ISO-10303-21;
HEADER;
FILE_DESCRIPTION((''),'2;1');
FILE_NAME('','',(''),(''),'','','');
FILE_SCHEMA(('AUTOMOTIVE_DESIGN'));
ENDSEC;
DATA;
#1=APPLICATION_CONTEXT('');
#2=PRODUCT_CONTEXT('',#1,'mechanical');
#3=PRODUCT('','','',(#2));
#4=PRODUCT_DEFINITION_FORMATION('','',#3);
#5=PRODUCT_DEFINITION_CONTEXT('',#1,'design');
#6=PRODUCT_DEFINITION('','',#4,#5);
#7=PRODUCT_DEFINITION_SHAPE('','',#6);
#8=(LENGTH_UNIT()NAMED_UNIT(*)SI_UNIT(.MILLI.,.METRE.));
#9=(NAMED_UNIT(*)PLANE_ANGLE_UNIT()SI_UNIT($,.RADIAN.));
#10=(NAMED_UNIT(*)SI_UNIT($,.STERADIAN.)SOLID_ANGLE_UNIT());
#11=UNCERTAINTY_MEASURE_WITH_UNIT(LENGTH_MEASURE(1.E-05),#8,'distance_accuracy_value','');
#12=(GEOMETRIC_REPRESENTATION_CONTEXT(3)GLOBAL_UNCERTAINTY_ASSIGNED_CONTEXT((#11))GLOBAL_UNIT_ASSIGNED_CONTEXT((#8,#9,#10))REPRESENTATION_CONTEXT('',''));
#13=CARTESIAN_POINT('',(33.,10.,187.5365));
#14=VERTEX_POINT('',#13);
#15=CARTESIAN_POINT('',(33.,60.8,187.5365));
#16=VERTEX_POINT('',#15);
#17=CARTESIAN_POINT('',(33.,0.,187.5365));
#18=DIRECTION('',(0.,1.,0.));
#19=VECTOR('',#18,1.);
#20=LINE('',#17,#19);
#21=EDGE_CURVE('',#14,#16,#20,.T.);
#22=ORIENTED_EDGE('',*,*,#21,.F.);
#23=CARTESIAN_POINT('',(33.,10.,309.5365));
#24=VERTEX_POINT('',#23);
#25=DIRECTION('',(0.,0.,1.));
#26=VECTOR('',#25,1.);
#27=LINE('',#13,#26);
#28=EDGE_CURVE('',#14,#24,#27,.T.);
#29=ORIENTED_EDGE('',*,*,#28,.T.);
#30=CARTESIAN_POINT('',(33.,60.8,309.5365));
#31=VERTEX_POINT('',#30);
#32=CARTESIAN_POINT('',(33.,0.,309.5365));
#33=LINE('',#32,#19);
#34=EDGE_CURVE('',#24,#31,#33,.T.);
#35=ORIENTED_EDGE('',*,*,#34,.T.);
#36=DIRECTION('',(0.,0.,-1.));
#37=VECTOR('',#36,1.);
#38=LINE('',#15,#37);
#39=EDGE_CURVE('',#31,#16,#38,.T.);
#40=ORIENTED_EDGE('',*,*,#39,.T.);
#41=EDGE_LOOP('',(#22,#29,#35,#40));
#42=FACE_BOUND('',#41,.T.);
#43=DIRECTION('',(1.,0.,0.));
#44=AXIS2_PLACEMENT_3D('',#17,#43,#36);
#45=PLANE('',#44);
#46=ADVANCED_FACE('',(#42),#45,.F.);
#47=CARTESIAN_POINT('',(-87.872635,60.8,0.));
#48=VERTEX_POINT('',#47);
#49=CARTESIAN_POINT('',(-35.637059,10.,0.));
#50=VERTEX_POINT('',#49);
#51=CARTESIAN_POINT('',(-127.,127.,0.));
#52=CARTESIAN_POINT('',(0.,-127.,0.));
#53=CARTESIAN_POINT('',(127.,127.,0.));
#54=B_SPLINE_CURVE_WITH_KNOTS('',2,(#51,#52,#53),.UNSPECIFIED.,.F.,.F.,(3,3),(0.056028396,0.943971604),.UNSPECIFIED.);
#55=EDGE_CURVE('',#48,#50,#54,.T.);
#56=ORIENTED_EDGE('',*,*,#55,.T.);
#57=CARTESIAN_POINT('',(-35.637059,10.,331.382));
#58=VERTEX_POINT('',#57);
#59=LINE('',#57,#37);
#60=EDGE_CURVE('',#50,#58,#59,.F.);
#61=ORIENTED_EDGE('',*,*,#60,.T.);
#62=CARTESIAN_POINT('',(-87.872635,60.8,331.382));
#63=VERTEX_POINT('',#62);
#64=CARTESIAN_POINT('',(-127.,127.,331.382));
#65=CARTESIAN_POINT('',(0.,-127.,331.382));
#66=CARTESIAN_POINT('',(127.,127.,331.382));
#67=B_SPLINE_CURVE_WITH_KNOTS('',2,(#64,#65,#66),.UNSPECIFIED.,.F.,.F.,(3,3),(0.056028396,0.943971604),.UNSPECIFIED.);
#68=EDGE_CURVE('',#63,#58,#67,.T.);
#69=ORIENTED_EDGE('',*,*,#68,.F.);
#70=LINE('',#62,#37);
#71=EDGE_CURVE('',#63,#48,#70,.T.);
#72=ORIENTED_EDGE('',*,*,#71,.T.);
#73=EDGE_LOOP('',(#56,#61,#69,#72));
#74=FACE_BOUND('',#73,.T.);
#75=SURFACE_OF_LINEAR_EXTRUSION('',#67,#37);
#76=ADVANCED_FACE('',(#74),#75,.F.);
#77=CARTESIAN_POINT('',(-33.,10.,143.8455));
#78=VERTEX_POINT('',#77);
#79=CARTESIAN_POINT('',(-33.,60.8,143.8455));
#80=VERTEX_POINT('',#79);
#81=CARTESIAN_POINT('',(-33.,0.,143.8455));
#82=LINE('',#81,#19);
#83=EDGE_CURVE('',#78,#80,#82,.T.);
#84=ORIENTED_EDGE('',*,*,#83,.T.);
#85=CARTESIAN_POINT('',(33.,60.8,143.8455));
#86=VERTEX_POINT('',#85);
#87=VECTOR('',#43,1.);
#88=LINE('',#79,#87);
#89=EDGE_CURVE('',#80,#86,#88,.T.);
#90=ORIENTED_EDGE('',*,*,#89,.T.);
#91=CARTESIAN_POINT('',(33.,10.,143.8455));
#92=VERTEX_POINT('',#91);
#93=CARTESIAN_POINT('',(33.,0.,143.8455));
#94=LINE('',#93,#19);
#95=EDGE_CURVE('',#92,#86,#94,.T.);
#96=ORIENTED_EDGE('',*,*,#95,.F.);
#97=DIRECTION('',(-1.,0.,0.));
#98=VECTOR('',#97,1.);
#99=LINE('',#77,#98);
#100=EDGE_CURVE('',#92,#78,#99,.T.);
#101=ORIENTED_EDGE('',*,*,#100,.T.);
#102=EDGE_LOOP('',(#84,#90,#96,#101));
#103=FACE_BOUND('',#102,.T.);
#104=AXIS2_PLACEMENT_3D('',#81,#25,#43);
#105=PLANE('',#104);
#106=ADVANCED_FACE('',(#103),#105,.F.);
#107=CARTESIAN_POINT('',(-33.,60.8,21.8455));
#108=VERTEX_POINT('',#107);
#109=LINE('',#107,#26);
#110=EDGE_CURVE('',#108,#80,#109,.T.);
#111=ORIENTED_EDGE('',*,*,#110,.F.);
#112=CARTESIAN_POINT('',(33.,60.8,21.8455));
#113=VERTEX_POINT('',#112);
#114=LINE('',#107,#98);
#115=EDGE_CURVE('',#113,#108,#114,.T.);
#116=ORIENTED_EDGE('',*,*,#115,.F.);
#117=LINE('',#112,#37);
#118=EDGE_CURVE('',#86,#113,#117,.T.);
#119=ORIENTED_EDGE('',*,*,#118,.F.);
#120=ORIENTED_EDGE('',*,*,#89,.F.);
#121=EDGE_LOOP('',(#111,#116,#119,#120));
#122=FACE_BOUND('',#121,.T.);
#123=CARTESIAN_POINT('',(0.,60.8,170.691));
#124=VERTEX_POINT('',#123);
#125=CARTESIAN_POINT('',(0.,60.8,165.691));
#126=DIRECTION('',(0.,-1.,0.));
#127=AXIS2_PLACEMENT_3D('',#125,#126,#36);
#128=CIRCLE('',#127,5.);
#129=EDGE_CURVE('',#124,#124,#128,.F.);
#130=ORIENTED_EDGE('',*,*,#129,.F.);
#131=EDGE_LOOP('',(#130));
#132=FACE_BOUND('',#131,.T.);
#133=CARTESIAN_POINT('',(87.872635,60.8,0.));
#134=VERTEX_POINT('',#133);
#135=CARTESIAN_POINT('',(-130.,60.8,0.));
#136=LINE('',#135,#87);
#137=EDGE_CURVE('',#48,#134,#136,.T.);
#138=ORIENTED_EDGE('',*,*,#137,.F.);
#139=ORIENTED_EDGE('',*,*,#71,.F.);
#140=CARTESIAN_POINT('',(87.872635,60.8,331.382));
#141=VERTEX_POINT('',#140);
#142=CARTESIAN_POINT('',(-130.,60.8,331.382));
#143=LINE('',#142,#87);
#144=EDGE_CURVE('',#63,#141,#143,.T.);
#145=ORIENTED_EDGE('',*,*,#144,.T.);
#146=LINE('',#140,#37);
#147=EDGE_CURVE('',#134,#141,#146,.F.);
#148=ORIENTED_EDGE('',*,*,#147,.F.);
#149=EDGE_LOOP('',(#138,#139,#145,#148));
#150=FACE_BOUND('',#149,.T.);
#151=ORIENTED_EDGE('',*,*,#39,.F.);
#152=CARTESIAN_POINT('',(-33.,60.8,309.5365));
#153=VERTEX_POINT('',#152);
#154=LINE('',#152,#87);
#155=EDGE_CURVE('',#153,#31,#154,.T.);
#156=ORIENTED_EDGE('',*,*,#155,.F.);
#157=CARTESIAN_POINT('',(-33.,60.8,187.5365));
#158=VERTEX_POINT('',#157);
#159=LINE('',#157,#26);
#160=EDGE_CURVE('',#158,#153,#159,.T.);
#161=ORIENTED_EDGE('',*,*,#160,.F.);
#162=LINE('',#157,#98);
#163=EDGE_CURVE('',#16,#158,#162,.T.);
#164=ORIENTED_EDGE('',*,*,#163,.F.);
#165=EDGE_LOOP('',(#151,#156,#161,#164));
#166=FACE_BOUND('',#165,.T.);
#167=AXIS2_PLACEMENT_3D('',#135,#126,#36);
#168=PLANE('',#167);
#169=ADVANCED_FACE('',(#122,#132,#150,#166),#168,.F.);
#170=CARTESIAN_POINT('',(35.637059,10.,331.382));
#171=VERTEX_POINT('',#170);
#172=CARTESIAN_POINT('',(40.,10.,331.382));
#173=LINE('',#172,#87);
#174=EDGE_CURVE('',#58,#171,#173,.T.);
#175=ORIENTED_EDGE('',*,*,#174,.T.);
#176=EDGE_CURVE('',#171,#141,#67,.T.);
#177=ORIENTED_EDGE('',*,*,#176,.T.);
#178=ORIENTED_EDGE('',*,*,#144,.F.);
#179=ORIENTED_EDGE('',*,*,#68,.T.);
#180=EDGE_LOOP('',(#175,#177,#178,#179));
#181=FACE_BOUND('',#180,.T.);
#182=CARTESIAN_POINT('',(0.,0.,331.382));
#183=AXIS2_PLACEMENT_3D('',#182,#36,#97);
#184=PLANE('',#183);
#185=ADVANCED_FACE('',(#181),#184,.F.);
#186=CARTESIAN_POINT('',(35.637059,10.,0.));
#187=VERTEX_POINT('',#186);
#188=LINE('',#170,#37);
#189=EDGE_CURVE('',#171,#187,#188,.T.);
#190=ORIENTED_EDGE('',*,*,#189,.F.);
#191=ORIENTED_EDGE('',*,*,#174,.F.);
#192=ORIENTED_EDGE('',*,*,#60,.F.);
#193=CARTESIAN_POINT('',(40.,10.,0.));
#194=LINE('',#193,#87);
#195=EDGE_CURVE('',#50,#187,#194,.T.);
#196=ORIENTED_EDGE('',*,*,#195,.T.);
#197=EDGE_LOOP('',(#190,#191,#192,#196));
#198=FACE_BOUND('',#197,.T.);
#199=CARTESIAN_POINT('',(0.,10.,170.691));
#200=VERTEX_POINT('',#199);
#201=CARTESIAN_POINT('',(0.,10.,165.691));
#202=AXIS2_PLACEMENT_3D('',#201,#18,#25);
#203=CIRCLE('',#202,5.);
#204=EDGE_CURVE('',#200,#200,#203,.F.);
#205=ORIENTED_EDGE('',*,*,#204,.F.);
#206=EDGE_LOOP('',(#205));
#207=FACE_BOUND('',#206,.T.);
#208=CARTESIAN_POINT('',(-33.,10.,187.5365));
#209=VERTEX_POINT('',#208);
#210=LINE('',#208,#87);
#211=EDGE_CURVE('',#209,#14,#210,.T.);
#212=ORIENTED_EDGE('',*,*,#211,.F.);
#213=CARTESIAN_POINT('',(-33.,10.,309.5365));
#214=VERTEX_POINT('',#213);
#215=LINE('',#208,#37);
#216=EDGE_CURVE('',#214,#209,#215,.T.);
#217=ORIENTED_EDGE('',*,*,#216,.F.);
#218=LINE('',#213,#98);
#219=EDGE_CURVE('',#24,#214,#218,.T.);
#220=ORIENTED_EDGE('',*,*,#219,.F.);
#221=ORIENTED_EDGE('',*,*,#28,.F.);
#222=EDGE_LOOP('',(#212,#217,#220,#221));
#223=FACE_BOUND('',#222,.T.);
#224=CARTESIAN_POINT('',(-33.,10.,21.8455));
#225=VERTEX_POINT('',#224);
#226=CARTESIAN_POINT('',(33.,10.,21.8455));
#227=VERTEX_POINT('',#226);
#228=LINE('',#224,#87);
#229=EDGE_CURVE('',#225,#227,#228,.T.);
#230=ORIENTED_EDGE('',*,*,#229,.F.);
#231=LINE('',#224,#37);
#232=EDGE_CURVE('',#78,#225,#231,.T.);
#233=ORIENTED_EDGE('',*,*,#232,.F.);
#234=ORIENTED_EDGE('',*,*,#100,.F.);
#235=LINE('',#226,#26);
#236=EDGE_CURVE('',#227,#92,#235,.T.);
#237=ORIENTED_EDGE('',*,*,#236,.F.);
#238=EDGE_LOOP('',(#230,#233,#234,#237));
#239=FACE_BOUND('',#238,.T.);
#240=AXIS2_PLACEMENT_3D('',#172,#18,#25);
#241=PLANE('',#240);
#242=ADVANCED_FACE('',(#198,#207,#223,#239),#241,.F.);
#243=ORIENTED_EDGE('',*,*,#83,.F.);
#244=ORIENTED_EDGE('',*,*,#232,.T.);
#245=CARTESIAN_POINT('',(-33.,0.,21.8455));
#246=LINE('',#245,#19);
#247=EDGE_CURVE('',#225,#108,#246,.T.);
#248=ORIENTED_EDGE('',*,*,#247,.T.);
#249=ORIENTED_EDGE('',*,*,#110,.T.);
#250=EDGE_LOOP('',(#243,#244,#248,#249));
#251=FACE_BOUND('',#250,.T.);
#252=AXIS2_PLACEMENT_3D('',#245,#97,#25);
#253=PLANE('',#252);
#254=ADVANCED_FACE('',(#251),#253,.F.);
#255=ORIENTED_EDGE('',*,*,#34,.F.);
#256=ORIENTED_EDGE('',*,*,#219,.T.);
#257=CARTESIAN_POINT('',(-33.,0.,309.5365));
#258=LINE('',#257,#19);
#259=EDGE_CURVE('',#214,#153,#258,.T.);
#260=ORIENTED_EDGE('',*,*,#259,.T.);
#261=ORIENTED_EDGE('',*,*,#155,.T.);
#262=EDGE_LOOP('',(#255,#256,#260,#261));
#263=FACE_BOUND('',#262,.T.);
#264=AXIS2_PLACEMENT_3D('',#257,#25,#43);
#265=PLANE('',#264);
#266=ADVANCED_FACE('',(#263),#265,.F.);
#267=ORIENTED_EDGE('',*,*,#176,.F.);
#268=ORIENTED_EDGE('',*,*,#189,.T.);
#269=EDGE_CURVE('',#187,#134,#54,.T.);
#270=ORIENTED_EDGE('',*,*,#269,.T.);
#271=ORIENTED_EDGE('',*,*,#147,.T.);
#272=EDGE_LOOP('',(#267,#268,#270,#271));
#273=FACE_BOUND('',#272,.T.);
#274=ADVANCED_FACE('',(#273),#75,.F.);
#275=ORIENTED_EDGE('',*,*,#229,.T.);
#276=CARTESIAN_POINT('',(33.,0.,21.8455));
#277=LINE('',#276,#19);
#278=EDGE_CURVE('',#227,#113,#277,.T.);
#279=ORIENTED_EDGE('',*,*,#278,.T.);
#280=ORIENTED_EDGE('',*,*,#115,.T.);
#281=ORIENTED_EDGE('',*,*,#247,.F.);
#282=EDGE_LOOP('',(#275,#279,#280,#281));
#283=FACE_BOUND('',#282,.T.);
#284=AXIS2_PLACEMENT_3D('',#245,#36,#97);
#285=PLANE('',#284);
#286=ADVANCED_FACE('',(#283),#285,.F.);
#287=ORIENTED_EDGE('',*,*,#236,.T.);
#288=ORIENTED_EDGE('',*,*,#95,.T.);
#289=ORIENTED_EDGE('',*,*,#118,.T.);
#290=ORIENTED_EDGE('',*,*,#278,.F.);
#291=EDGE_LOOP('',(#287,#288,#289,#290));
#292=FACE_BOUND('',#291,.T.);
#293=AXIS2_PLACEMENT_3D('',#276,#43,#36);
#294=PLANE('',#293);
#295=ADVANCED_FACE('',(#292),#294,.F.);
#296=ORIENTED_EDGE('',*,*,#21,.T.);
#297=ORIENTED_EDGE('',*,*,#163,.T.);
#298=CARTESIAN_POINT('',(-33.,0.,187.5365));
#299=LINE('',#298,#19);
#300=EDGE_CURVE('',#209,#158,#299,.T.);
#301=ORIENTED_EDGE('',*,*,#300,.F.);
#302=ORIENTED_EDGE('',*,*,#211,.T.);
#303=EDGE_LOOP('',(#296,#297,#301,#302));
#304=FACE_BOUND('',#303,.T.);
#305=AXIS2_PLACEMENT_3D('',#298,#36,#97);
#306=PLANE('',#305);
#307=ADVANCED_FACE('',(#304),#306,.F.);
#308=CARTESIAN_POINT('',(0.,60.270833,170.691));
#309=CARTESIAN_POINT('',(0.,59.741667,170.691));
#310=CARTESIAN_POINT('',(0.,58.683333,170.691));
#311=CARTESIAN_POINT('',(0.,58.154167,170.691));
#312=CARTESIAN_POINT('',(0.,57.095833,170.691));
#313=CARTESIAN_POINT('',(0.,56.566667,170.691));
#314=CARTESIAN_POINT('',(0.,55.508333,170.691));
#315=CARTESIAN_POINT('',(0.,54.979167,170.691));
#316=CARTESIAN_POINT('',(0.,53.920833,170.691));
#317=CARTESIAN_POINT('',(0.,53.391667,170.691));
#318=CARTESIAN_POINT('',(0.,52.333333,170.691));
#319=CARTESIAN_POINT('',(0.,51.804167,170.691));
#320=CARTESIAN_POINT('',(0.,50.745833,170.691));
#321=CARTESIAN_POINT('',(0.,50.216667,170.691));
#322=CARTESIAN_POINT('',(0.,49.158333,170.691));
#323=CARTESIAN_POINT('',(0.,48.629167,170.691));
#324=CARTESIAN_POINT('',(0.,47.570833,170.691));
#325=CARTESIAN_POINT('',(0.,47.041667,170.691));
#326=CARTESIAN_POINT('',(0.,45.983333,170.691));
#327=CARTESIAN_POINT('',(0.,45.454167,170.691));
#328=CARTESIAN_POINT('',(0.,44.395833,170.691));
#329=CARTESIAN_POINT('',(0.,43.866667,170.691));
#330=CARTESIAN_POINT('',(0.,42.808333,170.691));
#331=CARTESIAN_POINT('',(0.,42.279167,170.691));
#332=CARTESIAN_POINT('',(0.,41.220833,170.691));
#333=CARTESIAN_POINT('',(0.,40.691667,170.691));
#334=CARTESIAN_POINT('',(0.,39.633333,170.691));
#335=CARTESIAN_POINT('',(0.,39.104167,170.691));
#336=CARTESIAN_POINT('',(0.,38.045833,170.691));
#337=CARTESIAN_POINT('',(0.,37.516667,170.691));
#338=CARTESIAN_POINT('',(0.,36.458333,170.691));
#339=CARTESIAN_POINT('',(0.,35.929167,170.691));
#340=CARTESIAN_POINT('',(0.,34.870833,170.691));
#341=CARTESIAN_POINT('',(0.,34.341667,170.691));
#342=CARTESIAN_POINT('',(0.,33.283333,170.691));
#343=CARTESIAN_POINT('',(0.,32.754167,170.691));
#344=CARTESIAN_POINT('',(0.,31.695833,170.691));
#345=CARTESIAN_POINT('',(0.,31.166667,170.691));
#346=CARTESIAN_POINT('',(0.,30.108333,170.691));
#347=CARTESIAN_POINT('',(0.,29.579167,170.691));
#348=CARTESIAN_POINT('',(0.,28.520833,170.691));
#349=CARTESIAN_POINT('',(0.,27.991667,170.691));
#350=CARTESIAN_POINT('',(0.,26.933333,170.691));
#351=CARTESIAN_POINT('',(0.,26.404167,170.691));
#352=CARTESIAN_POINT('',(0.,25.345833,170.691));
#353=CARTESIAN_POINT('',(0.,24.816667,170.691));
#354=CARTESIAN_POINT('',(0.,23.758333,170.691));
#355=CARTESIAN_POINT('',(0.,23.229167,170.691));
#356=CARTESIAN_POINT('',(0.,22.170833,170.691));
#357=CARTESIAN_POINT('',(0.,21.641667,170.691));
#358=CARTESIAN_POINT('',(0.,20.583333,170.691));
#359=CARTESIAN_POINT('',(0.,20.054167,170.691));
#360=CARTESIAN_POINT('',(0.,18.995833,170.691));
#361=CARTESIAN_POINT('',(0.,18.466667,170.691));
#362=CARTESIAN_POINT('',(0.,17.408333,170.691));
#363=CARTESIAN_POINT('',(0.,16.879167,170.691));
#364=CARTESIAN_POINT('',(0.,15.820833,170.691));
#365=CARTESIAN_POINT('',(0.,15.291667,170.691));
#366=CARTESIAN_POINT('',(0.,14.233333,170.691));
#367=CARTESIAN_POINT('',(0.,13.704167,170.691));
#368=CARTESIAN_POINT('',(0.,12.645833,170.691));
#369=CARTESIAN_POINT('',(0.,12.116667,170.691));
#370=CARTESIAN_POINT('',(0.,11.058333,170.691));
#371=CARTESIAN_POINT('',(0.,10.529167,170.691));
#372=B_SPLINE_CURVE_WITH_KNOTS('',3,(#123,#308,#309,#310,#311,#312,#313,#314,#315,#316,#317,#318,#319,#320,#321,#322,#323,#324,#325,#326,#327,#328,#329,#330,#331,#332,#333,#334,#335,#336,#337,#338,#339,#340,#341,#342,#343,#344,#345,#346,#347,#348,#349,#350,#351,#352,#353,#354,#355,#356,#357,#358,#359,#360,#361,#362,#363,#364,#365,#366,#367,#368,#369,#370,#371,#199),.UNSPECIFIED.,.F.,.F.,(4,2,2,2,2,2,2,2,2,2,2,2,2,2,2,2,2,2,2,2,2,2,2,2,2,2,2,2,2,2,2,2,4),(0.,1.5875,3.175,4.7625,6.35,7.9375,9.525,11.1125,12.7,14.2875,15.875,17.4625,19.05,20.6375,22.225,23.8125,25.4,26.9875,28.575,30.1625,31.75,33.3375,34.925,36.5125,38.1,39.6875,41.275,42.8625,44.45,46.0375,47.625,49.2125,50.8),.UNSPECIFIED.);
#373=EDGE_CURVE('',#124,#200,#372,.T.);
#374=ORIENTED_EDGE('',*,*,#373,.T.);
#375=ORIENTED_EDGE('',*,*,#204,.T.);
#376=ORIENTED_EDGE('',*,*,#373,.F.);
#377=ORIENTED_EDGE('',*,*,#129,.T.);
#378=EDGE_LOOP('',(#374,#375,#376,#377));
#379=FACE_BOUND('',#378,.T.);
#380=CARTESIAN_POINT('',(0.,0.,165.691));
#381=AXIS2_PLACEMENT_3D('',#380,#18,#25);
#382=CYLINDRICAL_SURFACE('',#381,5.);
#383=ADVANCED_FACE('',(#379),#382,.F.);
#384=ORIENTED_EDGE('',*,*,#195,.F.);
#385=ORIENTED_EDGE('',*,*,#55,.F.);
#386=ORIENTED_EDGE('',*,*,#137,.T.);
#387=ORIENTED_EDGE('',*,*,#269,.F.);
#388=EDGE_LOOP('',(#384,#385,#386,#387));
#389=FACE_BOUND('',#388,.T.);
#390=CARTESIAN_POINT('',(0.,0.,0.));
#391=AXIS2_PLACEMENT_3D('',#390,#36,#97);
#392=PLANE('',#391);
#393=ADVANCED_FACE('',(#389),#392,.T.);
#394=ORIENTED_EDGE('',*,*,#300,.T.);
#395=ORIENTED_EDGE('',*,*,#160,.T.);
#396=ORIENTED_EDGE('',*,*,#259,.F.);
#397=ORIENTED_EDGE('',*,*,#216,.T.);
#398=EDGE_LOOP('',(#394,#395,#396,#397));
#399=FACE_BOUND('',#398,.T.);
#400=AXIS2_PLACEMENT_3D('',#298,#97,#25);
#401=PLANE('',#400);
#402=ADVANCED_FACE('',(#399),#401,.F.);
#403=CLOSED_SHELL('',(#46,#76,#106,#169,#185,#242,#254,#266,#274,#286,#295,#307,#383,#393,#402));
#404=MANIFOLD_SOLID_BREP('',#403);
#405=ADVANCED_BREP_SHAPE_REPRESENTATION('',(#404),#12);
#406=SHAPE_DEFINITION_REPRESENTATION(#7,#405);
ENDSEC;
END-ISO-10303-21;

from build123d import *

# Parameters (mm, degrees)
BOSS_EXTRUDE2_DEPTH = 331.382
SKETCH3_R           = 5
SKETCH3_W           = 66
SKETCH3_H           = 122
CUT_EXTRUDE2_DEPTH  = 377.924435453
SKETCH4_W           = 80
SKETCH4_H           = 10
CUT_EXTRUDE3_DEPTH  = 377.924435453
SKETCH5_W           = 260
SKETCH5_H           = 70
CUT_EXTRUDE4_DEPTH  = 377.924435453


with BuildPart() as part:
    # Sketch2 → Boss-Extrude2 (new body)
    with BuildSketch(Plane.XY):
        with BuildLine():
            Line((-127, 127), (127, 127))
            add(Edge.make_bspline(
                [(-127, 127), (0, -127), (127, 127)],
                knots=[0.056028396, 0.056028396, 0.056028396, 0.943971604, 0.943971604, 0.943971604], degree=2))
        make_face()
    extrude(amount=BOSS_EXTRUDE2_DEPTH)

    # Sketch3 → Cut-Extrude2 (cut, through all)
    with BuildSketch(Plane(origin=(0, 127, 0), x_dir=(1, 0, 0), z_dir=(0, 1, 0))):
        with Locations(Location((0, -165.691, 0), (0, 0, 270))):
            Circle(SKETCH3_R)
        with Locations((0, -82.8455)):
            Rectangle(SKETCH3_W, SKETCH3_H)
        with Locations((0, -248.5365)):
            Rectangle(SKETCH3_W, SKETCH3_H)
    extrude(amount=-CUT_EXTRUDE2_DEPTH, mode=Mode.SUBTRACT)

    # Sketch4 → Cut-Extrude3 (cut, through all)
    with BuildSketch(Plane(origin=(0, 0, 0), x_dir=(-1, 0, 0), z_dir=(0, 0, -1))):
        with Locations((0, 5)):
            Rectangle(SKETCH4_W, SKETCH4_H)
    extrude(amount=-CUT_EXTRUDE3_DEPTH, mode=Mode.SUBTRACT)

    # Sketch5 → Cut-Extrude4 (cut, through all)
    with BuildSketch(Plane.XY.offset(331.382)):
        with Locations((0, 95.8)):
            Rectangle(SKETCH5_W, SKETCH5_H)
    extrude(amount=-CUT_EXTRUDE4_DEPTH, mode=Mode.SUBTRACT)


solid = part.part
